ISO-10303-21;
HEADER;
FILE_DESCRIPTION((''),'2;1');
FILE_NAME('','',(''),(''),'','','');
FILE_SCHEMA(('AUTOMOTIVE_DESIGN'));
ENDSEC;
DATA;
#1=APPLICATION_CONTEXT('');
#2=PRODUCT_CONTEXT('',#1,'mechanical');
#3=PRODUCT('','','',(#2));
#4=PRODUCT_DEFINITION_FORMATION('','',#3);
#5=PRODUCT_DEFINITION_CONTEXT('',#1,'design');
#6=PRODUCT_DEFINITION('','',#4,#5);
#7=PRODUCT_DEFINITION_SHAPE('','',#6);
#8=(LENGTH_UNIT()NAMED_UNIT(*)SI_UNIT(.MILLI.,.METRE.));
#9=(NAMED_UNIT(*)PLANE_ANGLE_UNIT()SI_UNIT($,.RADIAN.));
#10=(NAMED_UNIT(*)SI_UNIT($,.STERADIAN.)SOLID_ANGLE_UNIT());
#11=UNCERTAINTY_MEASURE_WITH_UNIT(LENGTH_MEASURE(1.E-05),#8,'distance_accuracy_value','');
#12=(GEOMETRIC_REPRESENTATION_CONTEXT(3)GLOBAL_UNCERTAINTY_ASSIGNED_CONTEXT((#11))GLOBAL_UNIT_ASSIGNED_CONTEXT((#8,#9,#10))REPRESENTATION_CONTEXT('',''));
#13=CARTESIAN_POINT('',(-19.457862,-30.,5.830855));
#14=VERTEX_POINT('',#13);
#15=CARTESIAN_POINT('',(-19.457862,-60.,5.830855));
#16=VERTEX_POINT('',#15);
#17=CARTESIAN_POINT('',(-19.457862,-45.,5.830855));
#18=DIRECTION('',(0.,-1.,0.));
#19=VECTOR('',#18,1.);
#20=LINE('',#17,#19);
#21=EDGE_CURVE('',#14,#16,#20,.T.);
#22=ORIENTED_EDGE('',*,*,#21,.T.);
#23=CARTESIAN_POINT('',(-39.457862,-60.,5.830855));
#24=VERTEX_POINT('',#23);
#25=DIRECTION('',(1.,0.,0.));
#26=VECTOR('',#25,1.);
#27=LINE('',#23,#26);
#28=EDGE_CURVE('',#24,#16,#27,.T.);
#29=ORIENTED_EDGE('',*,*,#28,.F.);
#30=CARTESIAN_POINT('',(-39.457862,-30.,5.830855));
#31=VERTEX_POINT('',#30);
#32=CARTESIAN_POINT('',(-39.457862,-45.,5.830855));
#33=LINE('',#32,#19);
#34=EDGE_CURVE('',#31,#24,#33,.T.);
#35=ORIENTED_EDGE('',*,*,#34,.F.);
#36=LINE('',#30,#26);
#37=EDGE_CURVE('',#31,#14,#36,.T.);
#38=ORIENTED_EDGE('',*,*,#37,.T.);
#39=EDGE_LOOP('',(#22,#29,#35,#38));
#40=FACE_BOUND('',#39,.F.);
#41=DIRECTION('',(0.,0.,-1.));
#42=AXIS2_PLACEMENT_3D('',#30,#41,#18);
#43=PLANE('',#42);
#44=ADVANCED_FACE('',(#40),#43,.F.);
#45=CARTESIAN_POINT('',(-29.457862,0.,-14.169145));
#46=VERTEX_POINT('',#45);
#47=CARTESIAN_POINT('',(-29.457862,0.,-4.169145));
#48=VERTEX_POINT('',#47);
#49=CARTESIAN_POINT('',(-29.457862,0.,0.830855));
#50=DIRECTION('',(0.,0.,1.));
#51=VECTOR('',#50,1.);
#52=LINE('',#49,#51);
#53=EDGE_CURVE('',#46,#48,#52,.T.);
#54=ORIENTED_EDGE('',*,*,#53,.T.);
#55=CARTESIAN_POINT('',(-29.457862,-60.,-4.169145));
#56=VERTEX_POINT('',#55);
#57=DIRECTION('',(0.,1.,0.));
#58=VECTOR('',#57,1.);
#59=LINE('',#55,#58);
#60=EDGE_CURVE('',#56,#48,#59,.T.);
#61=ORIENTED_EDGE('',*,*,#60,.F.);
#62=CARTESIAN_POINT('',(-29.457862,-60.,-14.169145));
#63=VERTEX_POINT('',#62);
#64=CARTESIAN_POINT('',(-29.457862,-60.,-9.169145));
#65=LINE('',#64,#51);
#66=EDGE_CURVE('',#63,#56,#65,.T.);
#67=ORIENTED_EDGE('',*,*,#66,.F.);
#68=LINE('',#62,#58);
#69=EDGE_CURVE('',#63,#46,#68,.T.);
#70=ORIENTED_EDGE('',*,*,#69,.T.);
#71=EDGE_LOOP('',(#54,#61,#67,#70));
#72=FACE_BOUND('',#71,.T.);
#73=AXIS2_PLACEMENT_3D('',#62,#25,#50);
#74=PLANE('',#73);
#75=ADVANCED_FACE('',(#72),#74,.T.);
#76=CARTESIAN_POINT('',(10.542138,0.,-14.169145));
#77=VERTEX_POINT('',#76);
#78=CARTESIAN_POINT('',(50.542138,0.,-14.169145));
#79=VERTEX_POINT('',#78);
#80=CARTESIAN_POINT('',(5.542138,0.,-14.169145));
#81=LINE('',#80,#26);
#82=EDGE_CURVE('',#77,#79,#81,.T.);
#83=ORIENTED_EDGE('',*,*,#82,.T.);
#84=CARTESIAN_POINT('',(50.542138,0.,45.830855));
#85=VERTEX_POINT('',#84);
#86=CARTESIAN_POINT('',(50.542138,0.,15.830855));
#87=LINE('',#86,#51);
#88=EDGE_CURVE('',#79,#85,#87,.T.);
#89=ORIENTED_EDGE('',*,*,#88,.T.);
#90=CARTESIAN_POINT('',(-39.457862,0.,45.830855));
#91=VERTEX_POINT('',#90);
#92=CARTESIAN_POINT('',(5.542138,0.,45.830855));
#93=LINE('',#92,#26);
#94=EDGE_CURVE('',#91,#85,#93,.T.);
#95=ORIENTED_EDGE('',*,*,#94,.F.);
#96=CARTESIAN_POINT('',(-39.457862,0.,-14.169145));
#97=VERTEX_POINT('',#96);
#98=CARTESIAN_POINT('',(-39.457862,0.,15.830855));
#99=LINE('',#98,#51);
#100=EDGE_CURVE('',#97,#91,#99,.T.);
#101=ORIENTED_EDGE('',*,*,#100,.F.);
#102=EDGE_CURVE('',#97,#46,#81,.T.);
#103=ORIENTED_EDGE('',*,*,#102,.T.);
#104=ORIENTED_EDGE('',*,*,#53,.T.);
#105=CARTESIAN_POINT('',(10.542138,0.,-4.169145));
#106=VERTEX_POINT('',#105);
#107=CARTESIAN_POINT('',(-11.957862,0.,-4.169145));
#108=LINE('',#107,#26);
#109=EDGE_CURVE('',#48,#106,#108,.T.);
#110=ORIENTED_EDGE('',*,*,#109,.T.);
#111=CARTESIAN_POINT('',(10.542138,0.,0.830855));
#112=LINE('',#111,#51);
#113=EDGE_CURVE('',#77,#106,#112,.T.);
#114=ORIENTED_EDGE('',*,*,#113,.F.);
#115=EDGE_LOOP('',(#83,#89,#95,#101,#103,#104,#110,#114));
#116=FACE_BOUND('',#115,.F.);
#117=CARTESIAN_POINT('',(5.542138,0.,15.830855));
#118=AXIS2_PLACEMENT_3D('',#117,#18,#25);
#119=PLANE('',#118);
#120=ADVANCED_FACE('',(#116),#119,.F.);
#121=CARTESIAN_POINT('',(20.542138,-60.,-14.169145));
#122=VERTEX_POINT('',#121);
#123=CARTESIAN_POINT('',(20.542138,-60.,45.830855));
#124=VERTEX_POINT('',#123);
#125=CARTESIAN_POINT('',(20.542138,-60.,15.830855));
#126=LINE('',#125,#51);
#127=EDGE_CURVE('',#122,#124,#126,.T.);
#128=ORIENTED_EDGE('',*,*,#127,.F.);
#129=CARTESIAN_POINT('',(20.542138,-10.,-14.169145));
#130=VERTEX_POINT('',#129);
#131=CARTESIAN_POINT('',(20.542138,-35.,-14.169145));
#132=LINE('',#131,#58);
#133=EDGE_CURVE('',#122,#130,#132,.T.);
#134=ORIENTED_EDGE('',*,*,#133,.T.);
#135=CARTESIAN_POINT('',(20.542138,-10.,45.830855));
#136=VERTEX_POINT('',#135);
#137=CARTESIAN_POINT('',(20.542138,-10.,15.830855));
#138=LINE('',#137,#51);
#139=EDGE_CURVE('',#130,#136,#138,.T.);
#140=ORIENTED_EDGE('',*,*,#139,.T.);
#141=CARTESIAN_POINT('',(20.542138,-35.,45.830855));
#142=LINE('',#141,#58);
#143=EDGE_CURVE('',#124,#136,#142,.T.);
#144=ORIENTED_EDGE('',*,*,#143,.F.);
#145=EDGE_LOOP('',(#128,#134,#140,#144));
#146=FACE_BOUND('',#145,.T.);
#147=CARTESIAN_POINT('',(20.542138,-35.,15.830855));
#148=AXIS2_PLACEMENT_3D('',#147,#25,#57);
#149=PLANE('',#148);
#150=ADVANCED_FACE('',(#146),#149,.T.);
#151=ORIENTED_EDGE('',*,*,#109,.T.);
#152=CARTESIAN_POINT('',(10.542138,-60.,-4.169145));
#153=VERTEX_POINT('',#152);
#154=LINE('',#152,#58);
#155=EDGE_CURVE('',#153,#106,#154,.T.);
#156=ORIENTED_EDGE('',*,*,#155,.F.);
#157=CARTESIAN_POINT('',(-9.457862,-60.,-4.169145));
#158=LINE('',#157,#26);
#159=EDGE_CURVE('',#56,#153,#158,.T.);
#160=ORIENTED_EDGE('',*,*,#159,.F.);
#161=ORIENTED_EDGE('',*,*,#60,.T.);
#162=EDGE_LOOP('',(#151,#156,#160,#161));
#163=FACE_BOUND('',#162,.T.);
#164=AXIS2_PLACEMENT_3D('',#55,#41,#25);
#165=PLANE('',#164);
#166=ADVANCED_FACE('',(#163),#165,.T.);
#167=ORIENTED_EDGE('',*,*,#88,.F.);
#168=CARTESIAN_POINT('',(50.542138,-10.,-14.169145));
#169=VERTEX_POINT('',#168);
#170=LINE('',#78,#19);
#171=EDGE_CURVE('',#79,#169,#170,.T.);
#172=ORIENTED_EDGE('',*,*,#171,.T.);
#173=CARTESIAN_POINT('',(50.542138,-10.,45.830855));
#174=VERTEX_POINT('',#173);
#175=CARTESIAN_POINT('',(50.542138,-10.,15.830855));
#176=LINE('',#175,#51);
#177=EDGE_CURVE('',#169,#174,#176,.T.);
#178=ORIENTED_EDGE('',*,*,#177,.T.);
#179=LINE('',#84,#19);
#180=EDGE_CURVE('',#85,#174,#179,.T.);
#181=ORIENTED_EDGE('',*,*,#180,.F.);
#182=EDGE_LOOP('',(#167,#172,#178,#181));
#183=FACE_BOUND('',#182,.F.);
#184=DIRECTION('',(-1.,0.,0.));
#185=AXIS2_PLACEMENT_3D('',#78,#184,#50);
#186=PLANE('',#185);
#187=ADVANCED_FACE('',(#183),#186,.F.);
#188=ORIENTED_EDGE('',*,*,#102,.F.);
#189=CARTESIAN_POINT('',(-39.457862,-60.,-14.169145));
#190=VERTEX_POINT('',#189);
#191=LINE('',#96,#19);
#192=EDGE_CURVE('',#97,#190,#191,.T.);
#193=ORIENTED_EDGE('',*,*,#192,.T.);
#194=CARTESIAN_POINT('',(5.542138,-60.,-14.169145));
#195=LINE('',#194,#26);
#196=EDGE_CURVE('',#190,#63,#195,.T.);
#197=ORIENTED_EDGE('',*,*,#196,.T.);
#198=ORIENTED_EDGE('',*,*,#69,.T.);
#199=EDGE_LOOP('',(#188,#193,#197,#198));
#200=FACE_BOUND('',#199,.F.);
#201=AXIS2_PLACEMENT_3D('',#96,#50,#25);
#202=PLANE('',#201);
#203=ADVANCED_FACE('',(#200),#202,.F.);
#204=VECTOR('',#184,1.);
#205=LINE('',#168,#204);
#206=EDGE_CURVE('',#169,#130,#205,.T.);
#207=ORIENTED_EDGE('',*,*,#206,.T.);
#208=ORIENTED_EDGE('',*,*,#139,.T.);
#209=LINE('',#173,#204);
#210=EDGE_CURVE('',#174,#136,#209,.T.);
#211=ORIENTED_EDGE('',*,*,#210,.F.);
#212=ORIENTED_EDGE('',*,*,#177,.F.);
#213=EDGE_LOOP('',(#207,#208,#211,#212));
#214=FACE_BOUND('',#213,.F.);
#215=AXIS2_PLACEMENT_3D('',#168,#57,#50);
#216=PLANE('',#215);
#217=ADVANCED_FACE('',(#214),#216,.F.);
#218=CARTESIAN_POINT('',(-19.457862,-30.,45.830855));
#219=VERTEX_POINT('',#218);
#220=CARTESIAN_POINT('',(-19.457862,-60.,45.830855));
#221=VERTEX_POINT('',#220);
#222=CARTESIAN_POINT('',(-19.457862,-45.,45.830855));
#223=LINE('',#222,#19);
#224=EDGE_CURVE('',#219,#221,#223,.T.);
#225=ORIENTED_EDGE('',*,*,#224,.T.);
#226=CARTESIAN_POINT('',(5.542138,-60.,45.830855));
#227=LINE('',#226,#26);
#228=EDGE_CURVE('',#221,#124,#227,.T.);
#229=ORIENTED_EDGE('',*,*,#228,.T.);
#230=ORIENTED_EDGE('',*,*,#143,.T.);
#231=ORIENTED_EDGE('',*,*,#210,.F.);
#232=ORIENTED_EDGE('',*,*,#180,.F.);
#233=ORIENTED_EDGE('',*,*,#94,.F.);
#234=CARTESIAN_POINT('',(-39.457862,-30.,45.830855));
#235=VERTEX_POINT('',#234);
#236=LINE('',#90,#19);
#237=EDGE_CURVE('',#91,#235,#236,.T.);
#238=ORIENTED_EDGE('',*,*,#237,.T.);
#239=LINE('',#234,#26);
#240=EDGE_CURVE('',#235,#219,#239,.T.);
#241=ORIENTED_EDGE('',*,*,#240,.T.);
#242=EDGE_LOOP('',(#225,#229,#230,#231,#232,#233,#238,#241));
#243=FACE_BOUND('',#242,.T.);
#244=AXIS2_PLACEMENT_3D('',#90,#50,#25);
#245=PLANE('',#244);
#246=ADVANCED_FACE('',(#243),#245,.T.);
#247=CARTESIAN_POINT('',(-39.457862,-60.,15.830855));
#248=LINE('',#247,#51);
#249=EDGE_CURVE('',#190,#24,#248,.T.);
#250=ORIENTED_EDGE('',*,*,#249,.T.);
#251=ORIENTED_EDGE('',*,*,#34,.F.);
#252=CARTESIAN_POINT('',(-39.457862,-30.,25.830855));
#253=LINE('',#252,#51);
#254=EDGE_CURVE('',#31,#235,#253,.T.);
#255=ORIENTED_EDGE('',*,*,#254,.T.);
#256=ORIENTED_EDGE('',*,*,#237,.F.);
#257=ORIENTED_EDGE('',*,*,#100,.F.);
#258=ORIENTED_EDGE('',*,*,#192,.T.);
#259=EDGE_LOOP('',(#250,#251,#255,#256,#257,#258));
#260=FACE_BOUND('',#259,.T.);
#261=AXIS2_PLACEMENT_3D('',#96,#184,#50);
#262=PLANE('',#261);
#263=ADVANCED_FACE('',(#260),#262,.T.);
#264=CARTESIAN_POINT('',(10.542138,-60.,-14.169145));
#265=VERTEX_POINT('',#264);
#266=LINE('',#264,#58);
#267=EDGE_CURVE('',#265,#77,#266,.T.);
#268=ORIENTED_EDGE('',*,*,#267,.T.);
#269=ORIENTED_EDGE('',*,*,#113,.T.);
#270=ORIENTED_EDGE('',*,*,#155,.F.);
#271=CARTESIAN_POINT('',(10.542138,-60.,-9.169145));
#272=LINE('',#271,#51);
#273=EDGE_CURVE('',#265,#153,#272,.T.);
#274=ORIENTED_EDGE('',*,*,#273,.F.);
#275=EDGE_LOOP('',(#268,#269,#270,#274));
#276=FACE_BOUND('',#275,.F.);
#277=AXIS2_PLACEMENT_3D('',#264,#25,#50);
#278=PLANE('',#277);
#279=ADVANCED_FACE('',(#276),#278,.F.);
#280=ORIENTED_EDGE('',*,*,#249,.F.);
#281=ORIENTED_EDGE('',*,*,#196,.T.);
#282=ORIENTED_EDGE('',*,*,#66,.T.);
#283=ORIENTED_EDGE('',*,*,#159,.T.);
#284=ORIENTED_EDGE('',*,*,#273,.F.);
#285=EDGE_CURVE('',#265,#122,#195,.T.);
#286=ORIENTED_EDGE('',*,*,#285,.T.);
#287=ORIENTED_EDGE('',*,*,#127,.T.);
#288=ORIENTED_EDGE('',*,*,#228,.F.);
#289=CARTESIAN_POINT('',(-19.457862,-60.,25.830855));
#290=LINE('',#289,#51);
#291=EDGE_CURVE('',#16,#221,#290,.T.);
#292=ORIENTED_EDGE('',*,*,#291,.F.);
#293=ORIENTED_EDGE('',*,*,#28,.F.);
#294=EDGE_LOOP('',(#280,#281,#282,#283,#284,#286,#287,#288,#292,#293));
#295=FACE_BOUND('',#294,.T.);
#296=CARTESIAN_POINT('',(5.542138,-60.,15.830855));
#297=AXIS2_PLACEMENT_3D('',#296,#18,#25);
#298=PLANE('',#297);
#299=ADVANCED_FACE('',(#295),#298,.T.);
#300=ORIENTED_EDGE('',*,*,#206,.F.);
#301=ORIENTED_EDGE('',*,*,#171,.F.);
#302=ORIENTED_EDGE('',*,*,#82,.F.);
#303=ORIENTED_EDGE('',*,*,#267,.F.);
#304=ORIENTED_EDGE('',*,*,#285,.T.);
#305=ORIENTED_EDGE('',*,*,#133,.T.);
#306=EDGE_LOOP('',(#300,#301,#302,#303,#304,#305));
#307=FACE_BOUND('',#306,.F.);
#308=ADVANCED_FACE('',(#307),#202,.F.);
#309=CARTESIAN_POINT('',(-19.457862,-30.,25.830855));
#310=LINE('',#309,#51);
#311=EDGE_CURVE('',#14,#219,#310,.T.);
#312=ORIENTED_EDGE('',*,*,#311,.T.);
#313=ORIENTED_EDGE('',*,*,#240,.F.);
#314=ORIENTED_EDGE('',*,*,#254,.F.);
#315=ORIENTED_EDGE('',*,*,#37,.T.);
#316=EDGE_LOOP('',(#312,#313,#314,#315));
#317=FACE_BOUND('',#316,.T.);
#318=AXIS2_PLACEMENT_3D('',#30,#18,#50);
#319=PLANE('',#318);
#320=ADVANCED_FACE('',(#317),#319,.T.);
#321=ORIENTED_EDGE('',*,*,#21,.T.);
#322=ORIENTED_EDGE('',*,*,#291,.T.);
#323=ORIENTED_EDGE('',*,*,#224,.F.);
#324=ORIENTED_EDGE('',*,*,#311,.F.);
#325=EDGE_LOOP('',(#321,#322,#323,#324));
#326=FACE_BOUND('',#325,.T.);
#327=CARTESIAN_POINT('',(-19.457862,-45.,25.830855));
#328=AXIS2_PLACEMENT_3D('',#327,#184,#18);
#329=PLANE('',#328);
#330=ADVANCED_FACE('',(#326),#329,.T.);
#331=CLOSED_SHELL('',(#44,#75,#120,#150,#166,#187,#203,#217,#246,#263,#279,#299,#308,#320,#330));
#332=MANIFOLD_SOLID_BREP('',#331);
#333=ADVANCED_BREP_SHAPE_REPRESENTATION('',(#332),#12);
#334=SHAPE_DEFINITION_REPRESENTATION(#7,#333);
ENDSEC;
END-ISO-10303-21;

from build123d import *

# Parameters (mm, degrees)
F0_W     = 90
F0_H     = 60
F1_DEPTH = 60
F2_W     = 30
F2_H     = 40
F3_DEPTH = 20
F4_W     = 50
F4_H     = 60
F5_DEPTH = 30
F6_W     = 40
F6_H     = 10
F7_DEPTH = 60.001


with BuildPart() as f1:
    # F0 (on Front) → F1 (new body)
    with BuildSketch(Plane.XZ):
        with Locations((5.542138, 15.830855)):
            Rectangle(F0_W, F0_H)
    extrude(amount=F1_DEPTH)

    # F2 (on face) → F3 (cut)
    with BuildSketch(Plane(origin=(-39.457862, 0, 0), x_dir=(0, -1, 0), z_dir=(-1, 0, 0))):
        with Locations((45, 25.830855)):
            Rectangle(F2_W, F2_H)
    extrude(amount=-F3_DEPTH, mode=Mode.SUBTRACT)

    # F4 (on face) → F5 (cut)
    with BuildSketch(Plane.YZ.offset(50.542138)):
        with Locations((-35, 15.830855)):
            Rectangle(F4_W, F4_H)
    extrude(amount=-F5_DEPTH, mode=Mode.SUBTRACT)

    # F6 (on face) → F7 (cut, through all)
    with BuildSketch(Plane.XZ.offset(60)):
        with Locations((-9.457862, -9.169145)):
            Rectangle(F6_W, F6_H)
    extrude(amount=-F7_DEPTH, mode=Mode.SUBTRACT)


solid = f1.part
